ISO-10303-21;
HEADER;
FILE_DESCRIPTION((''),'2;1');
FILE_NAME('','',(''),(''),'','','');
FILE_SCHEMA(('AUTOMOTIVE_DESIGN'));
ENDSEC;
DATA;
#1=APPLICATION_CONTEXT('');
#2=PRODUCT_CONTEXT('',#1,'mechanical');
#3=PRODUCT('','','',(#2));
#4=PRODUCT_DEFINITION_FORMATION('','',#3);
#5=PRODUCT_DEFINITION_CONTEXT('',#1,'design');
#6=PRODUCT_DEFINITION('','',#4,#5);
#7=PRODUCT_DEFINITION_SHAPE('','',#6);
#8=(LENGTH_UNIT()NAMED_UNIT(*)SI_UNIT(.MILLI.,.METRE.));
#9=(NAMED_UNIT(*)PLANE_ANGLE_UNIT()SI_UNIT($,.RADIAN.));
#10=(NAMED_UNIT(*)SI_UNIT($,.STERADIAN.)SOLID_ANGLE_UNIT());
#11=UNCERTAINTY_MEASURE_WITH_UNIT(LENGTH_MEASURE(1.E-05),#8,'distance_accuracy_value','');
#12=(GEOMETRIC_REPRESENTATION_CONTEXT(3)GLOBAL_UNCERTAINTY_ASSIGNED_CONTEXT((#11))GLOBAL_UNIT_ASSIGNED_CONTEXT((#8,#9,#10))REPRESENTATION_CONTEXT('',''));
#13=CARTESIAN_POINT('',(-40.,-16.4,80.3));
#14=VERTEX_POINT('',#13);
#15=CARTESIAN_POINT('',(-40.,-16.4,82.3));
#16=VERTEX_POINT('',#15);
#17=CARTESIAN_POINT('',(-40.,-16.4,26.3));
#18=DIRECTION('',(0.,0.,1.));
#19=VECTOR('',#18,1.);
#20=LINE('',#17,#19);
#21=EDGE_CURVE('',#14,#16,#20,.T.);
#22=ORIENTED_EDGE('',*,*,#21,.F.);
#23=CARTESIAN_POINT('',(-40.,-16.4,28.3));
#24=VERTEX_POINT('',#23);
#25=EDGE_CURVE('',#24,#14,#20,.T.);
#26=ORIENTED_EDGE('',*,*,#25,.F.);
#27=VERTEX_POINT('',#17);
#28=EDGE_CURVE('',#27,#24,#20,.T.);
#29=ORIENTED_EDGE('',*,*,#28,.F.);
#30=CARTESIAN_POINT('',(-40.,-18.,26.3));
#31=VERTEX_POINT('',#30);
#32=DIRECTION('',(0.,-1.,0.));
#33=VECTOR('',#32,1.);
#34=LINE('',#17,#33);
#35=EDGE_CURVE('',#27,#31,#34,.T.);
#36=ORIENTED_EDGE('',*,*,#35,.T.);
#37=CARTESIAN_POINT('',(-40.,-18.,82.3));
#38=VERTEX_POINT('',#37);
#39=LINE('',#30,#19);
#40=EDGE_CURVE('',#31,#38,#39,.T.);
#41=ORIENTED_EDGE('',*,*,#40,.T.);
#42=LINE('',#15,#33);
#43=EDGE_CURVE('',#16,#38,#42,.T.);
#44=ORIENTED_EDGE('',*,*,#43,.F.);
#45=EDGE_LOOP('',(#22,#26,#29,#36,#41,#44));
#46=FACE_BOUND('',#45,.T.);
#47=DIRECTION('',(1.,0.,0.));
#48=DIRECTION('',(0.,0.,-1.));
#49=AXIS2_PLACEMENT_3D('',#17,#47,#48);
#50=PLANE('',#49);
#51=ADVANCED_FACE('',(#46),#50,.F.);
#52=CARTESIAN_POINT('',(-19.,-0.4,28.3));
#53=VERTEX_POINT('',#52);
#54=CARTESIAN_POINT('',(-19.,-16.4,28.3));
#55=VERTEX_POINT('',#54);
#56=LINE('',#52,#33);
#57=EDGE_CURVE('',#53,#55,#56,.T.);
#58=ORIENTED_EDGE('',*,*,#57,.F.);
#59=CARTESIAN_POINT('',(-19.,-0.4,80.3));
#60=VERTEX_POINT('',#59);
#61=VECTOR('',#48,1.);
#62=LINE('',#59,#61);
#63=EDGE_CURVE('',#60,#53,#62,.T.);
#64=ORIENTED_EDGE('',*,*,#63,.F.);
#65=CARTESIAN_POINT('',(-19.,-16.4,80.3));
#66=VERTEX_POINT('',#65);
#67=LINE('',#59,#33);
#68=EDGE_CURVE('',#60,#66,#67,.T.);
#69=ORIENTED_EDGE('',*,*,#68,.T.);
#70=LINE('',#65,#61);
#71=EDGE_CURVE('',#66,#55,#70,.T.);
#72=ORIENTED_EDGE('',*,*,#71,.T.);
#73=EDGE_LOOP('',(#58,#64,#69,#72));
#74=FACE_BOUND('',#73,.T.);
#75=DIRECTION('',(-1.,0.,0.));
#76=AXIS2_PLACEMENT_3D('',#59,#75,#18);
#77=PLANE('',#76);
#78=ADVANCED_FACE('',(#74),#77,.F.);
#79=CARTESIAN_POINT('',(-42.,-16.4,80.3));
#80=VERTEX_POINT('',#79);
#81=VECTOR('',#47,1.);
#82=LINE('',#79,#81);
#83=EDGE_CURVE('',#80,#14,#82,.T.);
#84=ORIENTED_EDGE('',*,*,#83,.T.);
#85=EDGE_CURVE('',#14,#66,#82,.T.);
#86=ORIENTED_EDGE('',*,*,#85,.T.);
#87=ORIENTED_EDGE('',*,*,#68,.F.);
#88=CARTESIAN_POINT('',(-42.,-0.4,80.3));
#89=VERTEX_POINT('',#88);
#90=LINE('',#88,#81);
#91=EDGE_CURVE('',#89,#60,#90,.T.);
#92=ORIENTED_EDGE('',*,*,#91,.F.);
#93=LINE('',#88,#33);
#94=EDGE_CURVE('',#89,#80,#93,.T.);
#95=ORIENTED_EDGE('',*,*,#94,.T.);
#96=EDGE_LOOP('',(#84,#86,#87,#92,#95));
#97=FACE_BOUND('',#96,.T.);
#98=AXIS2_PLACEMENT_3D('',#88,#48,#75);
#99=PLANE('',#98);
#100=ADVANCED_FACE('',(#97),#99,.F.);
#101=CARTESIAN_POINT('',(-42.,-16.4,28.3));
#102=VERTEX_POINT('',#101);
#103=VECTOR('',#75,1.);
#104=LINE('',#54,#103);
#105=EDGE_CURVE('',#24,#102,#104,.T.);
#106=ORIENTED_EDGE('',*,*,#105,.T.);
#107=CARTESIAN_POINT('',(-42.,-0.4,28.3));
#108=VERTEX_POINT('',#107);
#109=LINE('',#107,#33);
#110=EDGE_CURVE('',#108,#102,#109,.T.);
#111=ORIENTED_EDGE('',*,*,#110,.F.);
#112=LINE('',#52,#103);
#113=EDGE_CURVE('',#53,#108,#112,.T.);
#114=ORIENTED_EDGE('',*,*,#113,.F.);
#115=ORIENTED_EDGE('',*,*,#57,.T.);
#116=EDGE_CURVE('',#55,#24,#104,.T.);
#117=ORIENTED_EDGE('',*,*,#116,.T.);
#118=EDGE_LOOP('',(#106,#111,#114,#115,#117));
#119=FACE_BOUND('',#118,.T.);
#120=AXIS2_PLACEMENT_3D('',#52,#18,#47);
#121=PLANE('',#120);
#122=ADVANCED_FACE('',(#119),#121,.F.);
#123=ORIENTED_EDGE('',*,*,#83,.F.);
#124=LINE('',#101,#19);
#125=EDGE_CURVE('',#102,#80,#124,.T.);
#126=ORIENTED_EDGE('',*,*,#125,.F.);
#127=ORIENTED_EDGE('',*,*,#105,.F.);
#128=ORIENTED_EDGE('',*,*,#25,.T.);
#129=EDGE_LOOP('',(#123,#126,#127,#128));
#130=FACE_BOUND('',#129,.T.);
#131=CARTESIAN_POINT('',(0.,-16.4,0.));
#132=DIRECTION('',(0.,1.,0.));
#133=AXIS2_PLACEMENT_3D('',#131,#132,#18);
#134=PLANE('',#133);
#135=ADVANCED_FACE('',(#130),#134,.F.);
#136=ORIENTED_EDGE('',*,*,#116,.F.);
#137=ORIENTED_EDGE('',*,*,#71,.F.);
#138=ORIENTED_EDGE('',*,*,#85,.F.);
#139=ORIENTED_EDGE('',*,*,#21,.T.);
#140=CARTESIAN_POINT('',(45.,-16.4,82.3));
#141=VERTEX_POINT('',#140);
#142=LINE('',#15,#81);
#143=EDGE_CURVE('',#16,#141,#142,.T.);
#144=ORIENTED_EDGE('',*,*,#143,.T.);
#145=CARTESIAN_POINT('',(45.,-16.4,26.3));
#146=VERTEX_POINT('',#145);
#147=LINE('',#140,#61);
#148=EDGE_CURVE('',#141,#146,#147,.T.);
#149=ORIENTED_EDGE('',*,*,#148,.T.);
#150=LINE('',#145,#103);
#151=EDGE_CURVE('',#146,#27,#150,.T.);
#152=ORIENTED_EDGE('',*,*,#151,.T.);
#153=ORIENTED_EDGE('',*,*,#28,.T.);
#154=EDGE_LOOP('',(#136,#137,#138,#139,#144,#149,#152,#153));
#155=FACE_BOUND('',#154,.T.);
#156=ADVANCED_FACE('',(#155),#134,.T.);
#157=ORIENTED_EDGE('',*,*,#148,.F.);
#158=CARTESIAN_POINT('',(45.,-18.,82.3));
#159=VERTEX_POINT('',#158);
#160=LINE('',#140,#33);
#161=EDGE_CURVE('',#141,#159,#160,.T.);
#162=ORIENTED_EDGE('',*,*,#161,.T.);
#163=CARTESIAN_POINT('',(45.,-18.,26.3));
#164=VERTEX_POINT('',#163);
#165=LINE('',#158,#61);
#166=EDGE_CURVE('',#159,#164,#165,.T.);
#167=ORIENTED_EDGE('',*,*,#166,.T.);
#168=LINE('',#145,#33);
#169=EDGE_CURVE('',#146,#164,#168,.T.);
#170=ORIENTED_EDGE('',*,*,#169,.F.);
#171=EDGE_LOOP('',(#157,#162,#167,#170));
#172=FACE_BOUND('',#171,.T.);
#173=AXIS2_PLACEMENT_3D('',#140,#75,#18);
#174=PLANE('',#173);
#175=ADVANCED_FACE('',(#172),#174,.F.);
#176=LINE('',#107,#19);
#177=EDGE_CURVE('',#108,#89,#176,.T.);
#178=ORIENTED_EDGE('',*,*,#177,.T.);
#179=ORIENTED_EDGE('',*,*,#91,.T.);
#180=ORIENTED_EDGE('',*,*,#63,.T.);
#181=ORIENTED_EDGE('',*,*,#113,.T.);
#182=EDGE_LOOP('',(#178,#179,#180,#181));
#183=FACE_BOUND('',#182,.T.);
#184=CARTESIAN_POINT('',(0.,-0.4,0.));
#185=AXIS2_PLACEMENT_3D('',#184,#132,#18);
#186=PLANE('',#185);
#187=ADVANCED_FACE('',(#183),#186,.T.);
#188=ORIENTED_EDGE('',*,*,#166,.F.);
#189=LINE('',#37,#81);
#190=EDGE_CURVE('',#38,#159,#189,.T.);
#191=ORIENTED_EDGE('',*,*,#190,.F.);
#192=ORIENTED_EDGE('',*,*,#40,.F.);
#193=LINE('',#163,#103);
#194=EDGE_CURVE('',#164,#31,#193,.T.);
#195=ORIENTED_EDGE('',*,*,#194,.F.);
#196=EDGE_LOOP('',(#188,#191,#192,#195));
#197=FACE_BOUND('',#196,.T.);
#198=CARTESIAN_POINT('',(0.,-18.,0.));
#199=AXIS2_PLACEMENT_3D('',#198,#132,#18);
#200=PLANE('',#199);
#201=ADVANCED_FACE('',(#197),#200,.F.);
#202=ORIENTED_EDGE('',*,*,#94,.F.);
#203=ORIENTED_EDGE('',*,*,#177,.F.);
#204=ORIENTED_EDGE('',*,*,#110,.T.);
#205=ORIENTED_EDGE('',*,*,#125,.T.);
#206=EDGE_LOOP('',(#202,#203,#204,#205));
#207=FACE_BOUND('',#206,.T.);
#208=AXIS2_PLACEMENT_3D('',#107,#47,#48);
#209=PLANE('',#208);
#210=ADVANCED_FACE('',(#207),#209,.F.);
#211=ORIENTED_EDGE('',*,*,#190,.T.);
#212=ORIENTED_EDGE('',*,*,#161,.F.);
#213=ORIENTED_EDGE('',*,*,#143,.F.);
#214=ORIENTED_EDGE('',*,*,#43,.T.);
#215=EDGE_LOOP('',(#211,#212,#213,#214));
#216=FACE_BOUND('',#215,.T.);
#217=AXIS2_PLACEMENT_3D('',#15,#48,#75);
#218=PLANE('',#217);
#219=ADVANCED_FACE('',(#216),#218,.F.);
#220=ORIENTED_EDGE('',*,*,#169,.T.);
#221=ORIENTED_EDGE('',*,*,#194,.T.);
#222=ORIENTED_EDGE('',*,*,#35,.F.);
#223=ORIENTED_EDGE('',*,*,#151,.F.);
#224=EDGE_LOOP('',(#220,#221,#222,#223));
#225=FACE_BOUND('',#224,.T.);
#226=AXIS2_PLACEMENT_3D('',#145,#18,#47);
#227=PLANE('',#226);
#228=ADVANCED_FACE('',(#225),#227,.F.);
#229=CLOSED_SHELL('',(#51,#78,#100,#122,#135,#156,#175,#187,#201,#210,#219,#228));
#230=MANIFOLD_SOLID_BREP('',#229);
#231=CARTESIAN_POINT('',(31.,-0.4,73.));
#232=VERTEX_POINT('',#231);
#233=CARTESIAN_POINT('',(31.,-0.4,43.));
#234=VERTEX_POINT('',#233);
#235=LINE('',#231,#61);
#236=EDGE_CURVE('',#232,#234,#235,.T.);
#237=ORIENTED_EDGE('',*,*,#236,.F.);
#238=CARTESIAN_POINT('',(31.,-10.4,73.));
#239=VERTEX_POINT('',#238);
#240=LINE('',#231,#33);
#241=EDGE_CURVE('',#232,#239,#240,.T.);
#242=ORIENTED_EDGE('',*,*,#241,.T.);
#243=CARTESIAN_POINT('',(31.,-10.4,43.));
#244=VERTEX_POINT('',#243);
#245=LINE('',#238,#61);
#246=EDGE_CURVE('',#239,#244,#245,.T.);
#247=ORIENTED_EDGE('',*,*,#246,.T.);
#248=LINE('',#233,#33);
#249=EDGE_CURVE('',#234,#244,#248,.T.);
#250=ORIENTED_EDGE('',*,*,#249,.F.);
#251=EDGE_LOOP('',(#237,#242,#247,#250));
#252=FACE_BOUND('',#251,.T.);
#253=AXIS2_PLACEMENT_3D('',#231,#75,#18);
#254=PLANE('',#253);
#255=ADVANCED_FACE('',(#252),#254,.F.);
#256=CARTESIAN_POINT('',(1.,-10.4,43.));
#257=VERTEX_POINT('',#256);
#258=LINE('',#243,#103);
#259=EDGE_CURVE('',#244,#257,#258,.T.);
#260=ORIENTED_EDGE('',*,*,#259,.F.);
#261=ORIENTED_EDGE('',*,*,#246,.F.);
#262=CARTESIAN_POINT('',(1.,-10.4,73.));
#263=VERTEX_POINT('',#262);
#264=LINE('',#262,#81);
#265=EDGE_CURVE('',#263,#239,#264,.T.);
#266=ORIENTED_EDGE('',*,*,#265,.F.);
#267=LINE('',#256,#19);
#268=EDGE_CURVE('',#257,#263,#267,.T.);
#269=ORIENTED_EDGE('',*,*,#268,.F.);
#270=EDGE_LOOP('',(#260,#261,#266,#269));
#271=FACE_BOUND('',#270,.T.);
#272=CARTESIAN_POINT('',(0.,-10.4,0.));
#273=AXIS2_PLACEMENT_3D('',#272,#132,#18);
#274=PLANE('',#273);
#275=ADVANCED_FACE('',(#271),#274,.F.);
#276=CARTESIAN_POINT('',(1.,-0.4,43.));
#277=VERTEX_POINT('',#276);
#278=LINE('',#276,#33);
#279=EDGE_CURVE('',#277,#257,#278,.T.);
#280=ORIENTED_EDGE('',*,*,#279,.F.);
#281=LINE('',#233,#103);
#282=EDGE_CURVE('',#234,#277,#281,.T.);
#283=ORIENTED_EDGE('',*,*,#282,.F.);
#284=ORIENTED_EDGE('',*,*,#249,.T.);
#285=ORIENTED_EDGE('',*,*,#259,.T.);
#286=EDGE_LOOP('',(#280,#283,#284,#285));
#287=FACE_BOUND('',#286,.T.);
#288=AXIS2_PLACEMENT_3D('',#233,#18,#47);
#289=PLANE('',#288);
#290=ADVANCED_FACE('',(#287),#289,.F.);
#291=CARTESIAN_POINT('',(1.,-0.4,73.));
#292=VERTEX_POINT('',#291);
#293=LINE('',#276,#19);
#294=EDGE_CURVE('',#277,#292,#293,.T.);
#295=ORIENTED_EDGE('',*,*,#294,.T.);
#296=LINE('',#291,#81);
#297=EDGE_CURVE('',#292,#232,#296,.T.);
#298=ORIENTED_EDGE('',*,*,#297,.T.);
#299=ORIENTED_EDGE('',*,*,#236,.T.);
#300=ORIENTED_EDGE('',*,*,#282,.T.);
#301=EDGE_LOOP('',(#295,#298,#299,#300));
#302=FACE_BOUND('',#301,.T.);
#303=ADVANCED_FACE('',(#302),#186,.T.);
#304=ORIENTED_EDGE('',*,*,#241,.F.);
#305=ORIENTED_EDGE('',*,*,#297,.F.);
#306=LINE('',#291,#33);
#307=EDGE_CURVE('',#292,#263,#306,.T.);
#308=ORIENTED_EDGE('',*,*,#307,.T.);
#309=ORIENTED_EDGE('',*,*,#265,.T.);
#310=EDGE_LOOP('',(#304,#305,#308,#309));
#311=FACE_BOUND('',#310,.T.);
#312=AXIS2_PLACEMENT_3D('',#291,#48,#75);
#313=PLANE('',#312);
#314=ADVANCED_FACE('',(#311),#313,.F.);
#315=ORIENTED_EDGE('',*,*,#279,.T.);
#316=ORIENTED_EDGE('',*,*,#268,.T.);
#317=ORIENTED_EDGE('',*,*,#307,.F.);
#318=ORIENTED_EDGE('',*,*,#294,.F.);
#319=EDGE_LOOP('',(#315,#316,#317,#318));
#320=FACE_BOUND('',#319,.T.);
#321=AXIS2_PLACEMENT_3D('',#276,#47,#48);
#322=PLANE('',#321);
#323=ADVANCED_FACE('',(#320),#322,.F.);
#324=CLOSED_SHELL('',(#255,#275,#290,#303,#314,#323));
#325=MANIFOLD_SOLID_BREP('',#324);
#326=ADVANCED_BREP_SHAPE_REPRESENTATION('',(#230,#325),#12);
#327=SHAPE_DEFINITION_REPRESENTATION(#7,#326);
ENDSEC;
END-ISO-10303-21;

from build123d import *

# Parameters (mm, degrees)
SKETCH1_W              = 85
SKETCH1_H              = 56
PI_4_PCB_DEPTH         = 1.6
SKETCH2_W              = 23
SKETCH2_H              = 52
USB_AND_ETHERNET_DEPTH = 16
SKETCH3_W              = 30
SKETCH3_H              = 30
FAN_DEPTH              = 10


with BuildPart() as part:
    # Sketch1 → Pi 4 PCB (new body)
    with BuildSketch(Plane(origin=(0, -18, 0), x_dir=(1, 0, 0), z_dir=(0, 1, 0))):
        with Locations((2.5, -54.3)):
            Rectangle(SKETCH1_W, SKETCH1_H)
    extrude(amount=PI_4_PCB_DEPTH)

    # Sketch2 → USB And Ethernet (add)
    with BuildSketch(Plane(origin=(0, -16.4, 0), x_dir=(1, 0, 0), z_dir=(0, 1, 0))):
        with Locations((-30.5, -54.3)):
            Rectangle(SKETCH2_W, SKETCH2_H)
    extrude(amount=USB_AND_ETHERNET_DEPTH)


with BuildPart() as body_2:
    # Sketch3 → Fan (new body)
    with BuildSketch(Plane(origin=(0, -10.4, 0), x_dir=(1, 0, 0), z_dir=(0, 1, 0))):
        with Locations((16, -58)):
            Rectangle(SKETCH3_W, SKETCH3_H)
    extrude(amount=FAN_DEPTH)


solid = Compound([part.part, body_2.part])
